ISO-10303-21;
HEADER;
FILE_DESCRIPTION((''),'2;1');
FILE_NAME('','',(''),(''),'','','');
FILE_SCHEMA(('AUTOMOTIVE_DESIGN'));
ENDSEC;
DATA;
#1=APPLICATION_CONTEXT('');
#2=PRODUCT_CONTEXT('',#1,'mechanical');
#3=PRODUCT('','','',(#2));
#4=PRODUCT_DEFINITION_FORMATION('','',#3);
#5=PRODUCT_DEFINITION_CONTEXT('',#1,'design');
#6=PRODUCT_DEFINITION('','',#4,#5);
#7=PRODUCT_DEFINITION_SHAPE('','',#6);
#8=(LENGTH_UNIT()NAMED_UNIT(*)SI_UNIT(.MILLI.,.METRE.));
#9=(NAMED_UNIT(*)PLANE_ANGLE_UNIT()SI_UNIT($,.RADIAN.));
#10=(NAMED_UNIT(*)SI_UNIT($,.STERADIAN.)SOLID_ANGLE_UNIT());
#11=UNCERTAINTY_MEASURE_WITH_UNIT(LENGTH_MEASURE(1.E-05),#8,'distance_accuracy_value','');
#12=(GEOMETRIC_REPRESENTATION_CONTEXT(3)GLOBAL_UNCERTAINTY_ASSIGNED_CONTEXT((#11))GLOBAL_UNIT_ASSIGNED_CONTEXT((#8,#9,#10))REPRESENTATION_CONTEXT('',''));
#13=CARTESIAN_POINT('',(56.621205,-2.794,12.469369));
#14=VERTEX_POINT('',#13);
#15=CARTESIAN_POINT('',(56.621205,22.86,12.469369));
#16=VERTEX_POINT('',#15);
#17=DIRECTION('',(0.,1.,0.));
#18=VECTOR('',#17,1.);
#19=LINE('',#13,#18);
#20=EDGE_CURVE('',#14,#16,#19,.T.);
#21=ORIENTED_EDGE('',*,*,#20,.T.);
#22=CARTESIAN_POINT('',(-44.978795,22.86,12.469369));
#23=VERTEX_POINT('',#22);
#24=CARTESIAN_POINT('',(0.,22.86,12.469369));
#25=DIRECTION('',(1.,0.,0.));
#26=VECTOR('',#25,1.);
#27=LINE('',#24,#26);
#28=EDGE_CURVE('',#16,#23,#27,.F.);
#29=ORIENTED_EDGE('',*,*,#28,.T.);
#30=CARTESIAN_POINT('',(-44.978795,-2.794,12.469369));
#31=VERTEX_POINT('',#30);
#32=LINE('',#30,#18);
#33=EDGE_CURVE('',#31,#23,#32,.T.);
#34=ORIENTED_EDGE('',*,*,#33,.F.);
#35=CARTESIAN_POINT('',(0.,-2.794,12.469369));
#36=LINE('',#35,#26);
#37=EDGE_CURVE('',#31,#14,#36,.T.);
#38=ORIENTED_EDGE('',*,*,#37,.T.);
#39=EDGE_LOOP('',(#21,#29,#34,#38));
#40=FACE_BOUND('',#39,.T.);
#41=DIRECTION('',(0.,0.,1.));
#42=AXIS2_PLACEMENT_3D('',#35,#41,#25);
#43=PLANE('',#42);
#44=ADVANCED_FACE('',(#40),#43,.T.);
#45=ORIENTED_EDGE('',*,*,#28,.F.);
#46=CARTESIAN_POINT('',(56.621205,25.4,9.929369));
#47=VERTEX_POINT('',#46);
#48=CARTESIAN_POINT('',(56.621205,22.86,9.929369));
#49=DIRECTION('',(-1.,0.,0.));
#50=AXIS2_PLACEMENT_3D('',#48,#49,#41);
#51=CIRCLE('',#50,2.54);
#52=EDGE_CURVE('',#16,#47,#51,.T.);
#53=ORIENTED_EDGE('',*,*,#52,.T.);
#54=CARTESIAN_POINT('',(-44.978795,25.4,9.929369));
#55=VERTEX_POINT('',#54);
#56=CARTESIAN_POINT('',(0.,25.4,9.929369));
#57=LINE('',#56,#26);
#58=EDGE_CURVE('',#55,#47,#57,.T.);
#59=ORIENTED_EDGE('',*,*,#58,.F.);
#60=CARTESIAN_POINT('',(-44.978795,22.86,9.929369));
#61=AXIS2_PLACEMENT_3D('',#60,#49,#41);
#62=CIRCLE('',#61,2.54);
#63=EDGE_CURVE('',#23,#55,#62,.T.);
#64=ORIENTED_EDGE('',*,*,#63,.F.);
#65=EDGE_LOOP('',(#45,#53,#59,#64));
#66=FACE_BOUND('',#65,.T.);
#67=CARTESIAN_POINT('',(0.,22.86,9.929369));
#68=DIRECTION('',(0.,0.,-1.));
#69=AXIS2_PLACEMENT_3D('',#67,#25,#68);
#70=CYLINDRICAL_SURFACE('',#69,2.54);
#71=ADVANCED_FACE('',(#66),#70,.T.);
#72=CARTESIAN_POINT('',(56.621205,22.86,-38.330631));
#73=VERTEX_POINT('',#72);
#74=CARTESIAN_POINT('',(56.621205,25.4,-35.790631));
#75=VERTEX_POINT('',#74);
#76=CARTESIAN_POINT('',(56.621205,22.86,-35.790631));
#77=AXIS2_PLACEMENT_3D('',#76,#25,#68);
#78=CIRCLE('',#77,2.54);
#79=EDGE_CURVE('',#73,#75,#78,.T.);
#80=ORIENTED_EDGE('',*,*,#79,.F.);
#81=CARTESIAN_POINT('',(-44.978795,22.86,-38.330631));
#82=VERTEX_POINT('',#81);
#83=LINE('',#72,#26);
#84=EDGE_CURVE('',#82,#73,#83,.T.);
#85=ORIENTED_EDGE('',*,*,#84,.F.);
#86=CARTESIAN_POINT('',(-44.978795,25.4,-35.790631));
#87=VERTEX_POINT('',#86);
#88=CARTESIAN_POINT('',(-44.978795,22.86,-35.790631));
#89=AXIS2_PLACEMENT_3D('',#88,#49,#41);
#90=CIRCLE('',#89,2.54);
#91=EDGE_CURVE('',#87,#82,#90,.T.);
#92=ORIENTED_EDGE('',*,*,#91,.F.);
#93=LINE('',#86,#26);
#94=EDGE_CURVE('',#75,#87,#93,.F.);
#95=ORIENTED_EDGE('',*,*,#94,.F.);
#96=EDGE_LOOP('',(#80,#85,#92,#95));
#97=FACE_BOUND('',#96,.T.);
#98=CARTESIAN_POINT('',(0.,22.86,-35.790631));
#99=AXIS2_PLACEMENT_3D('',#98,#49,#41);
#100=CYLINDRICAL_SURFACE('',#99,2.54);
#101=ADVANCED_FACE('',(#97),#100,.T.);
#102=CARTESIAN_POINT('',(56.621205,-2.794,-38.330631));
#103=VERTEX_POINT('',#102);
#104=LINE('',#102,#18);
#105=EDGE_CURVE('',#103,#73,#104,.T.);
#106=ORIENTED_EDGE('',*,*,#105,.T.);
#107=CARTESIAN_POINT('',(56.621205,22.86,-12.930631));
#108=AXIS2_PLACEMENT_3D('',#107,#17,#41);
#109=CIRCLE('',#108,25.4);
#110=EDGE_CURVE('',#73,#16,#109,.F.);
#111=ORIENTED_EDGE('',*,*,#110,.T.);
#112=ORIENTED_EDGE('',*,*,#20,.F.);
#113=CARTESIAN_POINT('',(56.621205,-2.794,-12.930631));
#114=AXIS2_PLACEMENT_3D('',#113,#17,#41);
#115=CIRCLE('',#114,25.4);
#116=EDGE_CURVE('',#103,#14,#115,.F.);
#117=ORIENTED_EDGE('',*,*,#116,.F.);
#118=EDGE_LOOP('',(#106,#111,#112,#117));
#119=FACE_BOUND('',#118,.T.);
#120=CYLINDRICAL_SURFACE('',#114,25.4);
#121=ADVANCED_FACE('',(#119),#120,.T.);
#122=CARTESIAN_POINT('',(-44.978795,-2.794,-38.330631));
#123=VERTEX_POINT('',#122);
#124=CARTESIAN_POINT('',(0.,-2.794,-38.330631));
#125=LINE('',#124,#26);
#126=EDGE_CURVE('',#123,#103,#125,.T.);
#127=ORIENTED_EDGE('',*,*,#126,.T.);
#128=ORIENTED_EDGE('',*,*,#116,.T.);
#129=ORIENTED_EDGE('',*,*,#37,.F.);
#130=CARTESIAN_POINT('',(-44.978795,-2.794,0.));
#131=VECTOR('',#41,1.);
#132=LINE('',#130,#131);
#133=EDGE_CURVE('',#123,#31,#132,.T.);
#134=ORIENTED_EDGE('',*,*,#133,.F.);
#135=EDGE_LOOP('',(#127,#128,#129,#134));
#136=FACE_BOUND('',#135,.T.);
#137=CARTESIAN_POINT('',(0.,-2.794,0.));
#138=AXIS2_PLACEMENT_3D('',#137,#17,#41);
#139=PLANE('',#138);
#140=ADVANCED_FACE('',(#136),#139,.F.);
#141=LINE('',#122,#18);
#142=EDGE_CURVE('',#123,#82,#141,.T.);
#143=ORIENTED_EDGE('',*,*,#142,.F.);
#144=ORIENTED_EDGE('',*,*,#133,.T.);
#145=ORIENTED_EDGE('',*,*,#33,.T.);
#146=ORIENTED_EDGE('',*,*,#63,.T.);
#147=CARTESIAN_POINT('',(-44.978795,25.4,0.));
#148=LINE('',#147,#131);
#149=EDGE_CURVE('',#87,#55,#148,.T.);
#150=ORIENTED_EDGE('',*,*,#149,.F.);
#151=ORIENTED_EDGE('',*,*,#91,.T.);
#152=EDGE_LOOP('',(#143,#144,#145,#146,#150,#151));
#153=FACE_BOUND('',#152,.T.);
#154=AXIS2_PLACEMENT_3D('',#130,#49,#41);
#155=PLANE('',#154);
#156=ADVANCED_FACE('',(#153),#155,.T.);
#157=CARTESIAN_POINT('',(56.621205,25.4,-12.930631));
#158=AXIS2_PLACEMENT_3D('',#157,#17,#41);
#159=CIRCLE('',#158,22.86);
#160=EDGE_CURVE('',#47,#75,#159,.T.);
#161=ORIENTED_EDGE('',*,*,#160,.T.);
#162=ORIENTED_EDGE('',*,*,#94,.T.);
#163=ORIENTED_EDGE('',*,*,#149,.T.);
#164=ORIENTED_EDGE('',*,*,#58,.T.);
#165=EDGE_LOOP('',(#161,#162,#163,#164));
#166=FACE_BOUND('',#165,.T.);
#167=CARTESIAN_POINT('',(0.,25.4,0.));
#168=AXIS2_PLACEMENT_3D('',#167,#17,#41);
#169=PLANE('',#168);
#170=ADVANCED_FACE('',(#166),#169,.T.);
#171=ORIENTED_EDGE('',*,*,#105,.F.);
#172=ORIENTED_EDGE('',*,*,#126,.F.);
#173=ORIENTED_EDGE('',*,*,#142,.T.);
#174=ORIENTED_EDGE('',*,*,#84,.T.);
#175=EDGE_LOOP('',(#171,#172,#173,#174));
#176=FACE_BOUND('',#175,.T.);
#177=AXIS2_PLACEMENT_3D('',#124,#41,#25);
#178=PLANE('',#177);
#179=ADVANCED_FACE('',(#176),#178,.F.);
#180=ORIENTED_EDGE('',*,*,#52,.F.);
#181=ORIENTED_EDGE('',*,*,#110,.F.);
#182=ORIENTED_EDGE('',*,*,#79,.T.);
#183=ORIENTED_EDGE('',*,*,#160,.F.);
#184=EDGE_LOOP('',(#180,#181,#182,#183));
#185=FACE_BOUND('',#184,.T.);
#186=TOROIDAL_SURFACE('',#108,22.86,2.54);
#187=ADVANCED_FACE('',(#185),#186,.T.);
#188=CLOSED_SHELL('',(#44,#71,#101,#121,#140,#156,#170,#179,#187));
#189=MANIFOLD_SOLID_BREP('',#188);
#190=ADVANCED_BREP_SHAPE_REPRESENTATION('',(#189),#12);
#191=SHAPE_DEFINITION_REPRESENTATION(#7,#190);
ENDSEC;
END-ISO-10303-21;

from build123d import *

# Parameters (mm, degrees)
BOSS_EXTRUDE2_DEPTH      = 25.4
BOSS_EXTRUDE2_DEPTH_BACK = 2.794
FILLET1_R                = 2.54


with BuildPart() as part:
    # Sketch1 → Boss-Extrude2 (new, two sides: drawn at the far end of the back side and taken through both)
    with BuildSketch(Plane(origin=(0, 0, 0), x_dir=(1, 0, 0), z_dir=(0, 1, 0)).offset(-BOSS_EXTRUDE2_DEPTH_BACK)):
        with BuildLine():
            Line((56.621204677, 38.330630999), (-44.978795323, 38.330630999))
            Line((-44.978795323, 38.330630999), (-44.978795323, -12.469369001))
            Line((-44.978795323, -12.469369001), (56.621204677, -12.469369001))
            ThreePointArc((56.621204677, -12.469369001), (82.021204677, 12.930630999), (56.621204677, 38.330630999))
        make_face()
    extrude(amount=BOSS_EXTRUDE2_DEPTH + BOSS_EXTRUDE2_DEPTH_BACK)

    # Fillet1
    fillet1_edges = [part.edges().sort_by_distance(p)[0] for p in [
        (5.821204677, 25.4, 12.469369001),
        (82.021204677, 25.4, -12.930630999),
        (5.821204677, 25.4, -38.330630999),
    ]]
    fillet(fillet1_edges, radius=FILLET1_R)


solid = part.part
